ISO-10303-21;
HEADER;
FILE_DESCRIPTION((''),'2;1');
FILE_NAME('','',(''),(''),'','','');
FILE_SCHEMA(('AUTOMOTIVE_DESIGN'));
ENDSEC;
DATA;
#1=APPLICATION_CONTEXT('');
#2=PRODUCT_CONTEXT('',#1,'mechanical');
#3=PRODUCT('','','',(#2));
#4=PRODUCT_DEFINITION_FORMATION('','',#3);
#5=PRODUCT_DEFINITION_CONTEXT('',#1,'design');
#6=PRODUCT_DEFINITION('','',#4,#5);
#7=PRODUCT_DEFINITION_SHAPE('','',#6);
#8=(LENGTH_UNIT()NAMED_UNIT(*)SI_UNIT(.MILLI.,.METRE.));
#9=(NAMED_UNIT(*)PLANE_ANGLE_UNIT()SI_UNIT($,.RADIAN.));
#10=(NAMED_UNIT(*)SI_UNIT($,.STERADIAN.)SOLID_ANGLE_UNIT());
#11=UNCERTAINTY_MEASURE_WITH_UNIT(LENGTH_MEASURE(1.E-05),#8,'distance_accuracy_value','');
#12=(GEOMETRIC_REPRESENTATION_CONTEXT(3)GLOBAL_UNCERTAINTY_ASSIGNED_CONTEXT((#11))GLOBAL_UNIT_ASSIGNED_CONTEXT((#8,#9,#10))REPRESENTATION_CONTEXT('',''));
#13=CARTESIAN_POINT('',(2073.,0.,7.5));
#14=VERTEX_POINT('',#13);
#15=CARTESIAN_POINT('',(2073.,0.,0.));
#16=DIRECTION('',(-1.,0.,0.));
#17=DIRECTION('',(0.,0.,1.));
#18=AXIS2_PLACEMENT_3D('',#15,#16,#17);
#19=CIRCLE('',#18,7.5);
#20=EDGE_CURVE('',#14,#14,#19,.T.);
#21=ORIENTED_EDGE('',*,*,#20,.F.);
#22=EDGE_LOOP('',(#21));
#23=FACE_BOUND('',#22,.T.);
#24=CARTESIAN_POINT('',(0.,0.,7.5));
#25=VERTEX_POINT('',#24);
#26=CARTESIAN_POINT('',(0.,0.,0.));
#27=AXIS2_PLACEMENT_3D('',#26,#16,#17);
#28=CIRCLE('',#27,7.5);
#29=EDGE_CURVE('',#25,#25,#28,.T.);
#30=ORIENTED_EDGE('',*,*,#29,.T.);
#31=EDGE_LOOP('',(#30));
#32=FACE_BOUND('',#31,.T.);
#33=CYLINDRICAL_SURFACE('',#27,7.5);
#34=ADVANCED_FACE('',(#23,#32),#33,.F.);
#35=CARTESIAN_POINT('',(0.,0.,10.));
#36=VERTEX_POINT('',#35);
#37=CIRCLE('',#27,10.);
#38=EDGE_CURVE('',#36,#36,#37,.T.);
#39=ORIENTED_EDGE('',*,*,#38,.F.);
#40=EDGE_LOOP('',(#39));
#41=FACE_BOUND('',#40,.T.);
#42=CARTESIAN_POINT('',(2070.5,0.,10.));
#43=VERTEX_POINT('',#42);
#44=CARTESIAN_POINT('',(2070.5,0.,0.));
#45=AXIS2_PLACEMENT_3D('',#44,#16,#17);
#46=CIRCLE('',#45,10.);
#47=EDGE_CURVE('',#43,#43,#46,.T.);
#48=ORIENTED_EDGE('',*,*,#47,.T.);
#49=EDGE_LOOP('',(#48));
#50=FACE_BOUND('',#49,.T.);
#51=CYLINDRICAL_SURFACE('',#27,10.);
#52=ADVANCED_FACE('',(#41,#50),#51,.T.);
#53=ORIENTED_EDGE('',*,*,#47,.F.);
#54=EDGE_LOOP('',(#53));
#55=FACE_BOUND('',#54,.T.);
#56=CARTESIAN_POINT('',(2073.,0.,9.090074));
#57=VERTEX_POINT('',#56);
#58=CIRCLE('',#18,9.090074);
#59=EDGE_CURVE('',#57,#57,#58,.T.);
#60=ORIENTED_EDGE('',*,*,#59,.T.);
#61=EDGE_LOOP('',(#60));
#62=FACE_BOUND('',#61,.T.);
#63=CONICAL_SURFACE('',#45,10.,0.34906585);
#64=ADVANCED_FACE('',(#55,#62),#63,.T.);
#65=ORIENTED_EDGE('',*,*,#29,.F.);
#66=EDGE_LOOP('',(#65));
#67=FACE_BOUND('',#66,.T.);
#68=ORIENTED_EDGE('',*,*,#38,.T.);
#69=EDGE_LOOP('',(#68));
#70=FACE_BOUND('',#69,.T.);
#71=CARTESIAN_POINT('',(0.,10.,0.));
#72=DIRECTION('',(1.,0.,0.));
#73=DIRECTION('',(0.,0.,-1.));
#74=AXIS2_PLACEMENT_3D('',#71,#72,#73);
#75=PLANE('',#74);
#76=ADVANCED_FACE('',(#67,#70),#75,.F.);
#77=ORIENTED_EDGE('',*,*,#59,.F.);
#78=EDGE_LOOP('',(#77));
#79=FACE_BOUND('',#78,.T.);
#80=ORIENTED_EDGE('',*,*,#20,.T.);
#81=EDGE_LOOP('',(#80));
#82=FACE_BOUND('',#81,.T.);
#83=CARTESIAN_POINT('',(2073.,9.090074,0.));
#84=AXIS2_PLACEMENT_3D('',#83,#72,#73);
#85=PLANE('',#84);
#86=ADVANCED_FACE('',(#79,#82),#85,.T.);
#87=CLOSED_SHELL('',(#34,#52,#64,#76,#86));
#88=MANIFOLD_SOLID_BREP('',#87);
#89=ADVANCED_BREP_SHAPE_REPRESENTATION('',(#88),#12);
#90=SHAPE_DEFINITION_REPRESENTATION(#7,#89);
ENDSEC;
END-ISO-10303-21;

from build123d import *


with BuildPart() as part:
    # Sketch1 → Base-Revolve (revolve)
    with BuildSketch(Plane.XY):
        Polygon((0, 10), (0, 7.5), (2073, 7.5), (2073, 9.090074414), (2070.5, 10), align=None)
    revolve(axis=Axis((0, 0, 0), (1, 0, 0)))


solid = part.part
